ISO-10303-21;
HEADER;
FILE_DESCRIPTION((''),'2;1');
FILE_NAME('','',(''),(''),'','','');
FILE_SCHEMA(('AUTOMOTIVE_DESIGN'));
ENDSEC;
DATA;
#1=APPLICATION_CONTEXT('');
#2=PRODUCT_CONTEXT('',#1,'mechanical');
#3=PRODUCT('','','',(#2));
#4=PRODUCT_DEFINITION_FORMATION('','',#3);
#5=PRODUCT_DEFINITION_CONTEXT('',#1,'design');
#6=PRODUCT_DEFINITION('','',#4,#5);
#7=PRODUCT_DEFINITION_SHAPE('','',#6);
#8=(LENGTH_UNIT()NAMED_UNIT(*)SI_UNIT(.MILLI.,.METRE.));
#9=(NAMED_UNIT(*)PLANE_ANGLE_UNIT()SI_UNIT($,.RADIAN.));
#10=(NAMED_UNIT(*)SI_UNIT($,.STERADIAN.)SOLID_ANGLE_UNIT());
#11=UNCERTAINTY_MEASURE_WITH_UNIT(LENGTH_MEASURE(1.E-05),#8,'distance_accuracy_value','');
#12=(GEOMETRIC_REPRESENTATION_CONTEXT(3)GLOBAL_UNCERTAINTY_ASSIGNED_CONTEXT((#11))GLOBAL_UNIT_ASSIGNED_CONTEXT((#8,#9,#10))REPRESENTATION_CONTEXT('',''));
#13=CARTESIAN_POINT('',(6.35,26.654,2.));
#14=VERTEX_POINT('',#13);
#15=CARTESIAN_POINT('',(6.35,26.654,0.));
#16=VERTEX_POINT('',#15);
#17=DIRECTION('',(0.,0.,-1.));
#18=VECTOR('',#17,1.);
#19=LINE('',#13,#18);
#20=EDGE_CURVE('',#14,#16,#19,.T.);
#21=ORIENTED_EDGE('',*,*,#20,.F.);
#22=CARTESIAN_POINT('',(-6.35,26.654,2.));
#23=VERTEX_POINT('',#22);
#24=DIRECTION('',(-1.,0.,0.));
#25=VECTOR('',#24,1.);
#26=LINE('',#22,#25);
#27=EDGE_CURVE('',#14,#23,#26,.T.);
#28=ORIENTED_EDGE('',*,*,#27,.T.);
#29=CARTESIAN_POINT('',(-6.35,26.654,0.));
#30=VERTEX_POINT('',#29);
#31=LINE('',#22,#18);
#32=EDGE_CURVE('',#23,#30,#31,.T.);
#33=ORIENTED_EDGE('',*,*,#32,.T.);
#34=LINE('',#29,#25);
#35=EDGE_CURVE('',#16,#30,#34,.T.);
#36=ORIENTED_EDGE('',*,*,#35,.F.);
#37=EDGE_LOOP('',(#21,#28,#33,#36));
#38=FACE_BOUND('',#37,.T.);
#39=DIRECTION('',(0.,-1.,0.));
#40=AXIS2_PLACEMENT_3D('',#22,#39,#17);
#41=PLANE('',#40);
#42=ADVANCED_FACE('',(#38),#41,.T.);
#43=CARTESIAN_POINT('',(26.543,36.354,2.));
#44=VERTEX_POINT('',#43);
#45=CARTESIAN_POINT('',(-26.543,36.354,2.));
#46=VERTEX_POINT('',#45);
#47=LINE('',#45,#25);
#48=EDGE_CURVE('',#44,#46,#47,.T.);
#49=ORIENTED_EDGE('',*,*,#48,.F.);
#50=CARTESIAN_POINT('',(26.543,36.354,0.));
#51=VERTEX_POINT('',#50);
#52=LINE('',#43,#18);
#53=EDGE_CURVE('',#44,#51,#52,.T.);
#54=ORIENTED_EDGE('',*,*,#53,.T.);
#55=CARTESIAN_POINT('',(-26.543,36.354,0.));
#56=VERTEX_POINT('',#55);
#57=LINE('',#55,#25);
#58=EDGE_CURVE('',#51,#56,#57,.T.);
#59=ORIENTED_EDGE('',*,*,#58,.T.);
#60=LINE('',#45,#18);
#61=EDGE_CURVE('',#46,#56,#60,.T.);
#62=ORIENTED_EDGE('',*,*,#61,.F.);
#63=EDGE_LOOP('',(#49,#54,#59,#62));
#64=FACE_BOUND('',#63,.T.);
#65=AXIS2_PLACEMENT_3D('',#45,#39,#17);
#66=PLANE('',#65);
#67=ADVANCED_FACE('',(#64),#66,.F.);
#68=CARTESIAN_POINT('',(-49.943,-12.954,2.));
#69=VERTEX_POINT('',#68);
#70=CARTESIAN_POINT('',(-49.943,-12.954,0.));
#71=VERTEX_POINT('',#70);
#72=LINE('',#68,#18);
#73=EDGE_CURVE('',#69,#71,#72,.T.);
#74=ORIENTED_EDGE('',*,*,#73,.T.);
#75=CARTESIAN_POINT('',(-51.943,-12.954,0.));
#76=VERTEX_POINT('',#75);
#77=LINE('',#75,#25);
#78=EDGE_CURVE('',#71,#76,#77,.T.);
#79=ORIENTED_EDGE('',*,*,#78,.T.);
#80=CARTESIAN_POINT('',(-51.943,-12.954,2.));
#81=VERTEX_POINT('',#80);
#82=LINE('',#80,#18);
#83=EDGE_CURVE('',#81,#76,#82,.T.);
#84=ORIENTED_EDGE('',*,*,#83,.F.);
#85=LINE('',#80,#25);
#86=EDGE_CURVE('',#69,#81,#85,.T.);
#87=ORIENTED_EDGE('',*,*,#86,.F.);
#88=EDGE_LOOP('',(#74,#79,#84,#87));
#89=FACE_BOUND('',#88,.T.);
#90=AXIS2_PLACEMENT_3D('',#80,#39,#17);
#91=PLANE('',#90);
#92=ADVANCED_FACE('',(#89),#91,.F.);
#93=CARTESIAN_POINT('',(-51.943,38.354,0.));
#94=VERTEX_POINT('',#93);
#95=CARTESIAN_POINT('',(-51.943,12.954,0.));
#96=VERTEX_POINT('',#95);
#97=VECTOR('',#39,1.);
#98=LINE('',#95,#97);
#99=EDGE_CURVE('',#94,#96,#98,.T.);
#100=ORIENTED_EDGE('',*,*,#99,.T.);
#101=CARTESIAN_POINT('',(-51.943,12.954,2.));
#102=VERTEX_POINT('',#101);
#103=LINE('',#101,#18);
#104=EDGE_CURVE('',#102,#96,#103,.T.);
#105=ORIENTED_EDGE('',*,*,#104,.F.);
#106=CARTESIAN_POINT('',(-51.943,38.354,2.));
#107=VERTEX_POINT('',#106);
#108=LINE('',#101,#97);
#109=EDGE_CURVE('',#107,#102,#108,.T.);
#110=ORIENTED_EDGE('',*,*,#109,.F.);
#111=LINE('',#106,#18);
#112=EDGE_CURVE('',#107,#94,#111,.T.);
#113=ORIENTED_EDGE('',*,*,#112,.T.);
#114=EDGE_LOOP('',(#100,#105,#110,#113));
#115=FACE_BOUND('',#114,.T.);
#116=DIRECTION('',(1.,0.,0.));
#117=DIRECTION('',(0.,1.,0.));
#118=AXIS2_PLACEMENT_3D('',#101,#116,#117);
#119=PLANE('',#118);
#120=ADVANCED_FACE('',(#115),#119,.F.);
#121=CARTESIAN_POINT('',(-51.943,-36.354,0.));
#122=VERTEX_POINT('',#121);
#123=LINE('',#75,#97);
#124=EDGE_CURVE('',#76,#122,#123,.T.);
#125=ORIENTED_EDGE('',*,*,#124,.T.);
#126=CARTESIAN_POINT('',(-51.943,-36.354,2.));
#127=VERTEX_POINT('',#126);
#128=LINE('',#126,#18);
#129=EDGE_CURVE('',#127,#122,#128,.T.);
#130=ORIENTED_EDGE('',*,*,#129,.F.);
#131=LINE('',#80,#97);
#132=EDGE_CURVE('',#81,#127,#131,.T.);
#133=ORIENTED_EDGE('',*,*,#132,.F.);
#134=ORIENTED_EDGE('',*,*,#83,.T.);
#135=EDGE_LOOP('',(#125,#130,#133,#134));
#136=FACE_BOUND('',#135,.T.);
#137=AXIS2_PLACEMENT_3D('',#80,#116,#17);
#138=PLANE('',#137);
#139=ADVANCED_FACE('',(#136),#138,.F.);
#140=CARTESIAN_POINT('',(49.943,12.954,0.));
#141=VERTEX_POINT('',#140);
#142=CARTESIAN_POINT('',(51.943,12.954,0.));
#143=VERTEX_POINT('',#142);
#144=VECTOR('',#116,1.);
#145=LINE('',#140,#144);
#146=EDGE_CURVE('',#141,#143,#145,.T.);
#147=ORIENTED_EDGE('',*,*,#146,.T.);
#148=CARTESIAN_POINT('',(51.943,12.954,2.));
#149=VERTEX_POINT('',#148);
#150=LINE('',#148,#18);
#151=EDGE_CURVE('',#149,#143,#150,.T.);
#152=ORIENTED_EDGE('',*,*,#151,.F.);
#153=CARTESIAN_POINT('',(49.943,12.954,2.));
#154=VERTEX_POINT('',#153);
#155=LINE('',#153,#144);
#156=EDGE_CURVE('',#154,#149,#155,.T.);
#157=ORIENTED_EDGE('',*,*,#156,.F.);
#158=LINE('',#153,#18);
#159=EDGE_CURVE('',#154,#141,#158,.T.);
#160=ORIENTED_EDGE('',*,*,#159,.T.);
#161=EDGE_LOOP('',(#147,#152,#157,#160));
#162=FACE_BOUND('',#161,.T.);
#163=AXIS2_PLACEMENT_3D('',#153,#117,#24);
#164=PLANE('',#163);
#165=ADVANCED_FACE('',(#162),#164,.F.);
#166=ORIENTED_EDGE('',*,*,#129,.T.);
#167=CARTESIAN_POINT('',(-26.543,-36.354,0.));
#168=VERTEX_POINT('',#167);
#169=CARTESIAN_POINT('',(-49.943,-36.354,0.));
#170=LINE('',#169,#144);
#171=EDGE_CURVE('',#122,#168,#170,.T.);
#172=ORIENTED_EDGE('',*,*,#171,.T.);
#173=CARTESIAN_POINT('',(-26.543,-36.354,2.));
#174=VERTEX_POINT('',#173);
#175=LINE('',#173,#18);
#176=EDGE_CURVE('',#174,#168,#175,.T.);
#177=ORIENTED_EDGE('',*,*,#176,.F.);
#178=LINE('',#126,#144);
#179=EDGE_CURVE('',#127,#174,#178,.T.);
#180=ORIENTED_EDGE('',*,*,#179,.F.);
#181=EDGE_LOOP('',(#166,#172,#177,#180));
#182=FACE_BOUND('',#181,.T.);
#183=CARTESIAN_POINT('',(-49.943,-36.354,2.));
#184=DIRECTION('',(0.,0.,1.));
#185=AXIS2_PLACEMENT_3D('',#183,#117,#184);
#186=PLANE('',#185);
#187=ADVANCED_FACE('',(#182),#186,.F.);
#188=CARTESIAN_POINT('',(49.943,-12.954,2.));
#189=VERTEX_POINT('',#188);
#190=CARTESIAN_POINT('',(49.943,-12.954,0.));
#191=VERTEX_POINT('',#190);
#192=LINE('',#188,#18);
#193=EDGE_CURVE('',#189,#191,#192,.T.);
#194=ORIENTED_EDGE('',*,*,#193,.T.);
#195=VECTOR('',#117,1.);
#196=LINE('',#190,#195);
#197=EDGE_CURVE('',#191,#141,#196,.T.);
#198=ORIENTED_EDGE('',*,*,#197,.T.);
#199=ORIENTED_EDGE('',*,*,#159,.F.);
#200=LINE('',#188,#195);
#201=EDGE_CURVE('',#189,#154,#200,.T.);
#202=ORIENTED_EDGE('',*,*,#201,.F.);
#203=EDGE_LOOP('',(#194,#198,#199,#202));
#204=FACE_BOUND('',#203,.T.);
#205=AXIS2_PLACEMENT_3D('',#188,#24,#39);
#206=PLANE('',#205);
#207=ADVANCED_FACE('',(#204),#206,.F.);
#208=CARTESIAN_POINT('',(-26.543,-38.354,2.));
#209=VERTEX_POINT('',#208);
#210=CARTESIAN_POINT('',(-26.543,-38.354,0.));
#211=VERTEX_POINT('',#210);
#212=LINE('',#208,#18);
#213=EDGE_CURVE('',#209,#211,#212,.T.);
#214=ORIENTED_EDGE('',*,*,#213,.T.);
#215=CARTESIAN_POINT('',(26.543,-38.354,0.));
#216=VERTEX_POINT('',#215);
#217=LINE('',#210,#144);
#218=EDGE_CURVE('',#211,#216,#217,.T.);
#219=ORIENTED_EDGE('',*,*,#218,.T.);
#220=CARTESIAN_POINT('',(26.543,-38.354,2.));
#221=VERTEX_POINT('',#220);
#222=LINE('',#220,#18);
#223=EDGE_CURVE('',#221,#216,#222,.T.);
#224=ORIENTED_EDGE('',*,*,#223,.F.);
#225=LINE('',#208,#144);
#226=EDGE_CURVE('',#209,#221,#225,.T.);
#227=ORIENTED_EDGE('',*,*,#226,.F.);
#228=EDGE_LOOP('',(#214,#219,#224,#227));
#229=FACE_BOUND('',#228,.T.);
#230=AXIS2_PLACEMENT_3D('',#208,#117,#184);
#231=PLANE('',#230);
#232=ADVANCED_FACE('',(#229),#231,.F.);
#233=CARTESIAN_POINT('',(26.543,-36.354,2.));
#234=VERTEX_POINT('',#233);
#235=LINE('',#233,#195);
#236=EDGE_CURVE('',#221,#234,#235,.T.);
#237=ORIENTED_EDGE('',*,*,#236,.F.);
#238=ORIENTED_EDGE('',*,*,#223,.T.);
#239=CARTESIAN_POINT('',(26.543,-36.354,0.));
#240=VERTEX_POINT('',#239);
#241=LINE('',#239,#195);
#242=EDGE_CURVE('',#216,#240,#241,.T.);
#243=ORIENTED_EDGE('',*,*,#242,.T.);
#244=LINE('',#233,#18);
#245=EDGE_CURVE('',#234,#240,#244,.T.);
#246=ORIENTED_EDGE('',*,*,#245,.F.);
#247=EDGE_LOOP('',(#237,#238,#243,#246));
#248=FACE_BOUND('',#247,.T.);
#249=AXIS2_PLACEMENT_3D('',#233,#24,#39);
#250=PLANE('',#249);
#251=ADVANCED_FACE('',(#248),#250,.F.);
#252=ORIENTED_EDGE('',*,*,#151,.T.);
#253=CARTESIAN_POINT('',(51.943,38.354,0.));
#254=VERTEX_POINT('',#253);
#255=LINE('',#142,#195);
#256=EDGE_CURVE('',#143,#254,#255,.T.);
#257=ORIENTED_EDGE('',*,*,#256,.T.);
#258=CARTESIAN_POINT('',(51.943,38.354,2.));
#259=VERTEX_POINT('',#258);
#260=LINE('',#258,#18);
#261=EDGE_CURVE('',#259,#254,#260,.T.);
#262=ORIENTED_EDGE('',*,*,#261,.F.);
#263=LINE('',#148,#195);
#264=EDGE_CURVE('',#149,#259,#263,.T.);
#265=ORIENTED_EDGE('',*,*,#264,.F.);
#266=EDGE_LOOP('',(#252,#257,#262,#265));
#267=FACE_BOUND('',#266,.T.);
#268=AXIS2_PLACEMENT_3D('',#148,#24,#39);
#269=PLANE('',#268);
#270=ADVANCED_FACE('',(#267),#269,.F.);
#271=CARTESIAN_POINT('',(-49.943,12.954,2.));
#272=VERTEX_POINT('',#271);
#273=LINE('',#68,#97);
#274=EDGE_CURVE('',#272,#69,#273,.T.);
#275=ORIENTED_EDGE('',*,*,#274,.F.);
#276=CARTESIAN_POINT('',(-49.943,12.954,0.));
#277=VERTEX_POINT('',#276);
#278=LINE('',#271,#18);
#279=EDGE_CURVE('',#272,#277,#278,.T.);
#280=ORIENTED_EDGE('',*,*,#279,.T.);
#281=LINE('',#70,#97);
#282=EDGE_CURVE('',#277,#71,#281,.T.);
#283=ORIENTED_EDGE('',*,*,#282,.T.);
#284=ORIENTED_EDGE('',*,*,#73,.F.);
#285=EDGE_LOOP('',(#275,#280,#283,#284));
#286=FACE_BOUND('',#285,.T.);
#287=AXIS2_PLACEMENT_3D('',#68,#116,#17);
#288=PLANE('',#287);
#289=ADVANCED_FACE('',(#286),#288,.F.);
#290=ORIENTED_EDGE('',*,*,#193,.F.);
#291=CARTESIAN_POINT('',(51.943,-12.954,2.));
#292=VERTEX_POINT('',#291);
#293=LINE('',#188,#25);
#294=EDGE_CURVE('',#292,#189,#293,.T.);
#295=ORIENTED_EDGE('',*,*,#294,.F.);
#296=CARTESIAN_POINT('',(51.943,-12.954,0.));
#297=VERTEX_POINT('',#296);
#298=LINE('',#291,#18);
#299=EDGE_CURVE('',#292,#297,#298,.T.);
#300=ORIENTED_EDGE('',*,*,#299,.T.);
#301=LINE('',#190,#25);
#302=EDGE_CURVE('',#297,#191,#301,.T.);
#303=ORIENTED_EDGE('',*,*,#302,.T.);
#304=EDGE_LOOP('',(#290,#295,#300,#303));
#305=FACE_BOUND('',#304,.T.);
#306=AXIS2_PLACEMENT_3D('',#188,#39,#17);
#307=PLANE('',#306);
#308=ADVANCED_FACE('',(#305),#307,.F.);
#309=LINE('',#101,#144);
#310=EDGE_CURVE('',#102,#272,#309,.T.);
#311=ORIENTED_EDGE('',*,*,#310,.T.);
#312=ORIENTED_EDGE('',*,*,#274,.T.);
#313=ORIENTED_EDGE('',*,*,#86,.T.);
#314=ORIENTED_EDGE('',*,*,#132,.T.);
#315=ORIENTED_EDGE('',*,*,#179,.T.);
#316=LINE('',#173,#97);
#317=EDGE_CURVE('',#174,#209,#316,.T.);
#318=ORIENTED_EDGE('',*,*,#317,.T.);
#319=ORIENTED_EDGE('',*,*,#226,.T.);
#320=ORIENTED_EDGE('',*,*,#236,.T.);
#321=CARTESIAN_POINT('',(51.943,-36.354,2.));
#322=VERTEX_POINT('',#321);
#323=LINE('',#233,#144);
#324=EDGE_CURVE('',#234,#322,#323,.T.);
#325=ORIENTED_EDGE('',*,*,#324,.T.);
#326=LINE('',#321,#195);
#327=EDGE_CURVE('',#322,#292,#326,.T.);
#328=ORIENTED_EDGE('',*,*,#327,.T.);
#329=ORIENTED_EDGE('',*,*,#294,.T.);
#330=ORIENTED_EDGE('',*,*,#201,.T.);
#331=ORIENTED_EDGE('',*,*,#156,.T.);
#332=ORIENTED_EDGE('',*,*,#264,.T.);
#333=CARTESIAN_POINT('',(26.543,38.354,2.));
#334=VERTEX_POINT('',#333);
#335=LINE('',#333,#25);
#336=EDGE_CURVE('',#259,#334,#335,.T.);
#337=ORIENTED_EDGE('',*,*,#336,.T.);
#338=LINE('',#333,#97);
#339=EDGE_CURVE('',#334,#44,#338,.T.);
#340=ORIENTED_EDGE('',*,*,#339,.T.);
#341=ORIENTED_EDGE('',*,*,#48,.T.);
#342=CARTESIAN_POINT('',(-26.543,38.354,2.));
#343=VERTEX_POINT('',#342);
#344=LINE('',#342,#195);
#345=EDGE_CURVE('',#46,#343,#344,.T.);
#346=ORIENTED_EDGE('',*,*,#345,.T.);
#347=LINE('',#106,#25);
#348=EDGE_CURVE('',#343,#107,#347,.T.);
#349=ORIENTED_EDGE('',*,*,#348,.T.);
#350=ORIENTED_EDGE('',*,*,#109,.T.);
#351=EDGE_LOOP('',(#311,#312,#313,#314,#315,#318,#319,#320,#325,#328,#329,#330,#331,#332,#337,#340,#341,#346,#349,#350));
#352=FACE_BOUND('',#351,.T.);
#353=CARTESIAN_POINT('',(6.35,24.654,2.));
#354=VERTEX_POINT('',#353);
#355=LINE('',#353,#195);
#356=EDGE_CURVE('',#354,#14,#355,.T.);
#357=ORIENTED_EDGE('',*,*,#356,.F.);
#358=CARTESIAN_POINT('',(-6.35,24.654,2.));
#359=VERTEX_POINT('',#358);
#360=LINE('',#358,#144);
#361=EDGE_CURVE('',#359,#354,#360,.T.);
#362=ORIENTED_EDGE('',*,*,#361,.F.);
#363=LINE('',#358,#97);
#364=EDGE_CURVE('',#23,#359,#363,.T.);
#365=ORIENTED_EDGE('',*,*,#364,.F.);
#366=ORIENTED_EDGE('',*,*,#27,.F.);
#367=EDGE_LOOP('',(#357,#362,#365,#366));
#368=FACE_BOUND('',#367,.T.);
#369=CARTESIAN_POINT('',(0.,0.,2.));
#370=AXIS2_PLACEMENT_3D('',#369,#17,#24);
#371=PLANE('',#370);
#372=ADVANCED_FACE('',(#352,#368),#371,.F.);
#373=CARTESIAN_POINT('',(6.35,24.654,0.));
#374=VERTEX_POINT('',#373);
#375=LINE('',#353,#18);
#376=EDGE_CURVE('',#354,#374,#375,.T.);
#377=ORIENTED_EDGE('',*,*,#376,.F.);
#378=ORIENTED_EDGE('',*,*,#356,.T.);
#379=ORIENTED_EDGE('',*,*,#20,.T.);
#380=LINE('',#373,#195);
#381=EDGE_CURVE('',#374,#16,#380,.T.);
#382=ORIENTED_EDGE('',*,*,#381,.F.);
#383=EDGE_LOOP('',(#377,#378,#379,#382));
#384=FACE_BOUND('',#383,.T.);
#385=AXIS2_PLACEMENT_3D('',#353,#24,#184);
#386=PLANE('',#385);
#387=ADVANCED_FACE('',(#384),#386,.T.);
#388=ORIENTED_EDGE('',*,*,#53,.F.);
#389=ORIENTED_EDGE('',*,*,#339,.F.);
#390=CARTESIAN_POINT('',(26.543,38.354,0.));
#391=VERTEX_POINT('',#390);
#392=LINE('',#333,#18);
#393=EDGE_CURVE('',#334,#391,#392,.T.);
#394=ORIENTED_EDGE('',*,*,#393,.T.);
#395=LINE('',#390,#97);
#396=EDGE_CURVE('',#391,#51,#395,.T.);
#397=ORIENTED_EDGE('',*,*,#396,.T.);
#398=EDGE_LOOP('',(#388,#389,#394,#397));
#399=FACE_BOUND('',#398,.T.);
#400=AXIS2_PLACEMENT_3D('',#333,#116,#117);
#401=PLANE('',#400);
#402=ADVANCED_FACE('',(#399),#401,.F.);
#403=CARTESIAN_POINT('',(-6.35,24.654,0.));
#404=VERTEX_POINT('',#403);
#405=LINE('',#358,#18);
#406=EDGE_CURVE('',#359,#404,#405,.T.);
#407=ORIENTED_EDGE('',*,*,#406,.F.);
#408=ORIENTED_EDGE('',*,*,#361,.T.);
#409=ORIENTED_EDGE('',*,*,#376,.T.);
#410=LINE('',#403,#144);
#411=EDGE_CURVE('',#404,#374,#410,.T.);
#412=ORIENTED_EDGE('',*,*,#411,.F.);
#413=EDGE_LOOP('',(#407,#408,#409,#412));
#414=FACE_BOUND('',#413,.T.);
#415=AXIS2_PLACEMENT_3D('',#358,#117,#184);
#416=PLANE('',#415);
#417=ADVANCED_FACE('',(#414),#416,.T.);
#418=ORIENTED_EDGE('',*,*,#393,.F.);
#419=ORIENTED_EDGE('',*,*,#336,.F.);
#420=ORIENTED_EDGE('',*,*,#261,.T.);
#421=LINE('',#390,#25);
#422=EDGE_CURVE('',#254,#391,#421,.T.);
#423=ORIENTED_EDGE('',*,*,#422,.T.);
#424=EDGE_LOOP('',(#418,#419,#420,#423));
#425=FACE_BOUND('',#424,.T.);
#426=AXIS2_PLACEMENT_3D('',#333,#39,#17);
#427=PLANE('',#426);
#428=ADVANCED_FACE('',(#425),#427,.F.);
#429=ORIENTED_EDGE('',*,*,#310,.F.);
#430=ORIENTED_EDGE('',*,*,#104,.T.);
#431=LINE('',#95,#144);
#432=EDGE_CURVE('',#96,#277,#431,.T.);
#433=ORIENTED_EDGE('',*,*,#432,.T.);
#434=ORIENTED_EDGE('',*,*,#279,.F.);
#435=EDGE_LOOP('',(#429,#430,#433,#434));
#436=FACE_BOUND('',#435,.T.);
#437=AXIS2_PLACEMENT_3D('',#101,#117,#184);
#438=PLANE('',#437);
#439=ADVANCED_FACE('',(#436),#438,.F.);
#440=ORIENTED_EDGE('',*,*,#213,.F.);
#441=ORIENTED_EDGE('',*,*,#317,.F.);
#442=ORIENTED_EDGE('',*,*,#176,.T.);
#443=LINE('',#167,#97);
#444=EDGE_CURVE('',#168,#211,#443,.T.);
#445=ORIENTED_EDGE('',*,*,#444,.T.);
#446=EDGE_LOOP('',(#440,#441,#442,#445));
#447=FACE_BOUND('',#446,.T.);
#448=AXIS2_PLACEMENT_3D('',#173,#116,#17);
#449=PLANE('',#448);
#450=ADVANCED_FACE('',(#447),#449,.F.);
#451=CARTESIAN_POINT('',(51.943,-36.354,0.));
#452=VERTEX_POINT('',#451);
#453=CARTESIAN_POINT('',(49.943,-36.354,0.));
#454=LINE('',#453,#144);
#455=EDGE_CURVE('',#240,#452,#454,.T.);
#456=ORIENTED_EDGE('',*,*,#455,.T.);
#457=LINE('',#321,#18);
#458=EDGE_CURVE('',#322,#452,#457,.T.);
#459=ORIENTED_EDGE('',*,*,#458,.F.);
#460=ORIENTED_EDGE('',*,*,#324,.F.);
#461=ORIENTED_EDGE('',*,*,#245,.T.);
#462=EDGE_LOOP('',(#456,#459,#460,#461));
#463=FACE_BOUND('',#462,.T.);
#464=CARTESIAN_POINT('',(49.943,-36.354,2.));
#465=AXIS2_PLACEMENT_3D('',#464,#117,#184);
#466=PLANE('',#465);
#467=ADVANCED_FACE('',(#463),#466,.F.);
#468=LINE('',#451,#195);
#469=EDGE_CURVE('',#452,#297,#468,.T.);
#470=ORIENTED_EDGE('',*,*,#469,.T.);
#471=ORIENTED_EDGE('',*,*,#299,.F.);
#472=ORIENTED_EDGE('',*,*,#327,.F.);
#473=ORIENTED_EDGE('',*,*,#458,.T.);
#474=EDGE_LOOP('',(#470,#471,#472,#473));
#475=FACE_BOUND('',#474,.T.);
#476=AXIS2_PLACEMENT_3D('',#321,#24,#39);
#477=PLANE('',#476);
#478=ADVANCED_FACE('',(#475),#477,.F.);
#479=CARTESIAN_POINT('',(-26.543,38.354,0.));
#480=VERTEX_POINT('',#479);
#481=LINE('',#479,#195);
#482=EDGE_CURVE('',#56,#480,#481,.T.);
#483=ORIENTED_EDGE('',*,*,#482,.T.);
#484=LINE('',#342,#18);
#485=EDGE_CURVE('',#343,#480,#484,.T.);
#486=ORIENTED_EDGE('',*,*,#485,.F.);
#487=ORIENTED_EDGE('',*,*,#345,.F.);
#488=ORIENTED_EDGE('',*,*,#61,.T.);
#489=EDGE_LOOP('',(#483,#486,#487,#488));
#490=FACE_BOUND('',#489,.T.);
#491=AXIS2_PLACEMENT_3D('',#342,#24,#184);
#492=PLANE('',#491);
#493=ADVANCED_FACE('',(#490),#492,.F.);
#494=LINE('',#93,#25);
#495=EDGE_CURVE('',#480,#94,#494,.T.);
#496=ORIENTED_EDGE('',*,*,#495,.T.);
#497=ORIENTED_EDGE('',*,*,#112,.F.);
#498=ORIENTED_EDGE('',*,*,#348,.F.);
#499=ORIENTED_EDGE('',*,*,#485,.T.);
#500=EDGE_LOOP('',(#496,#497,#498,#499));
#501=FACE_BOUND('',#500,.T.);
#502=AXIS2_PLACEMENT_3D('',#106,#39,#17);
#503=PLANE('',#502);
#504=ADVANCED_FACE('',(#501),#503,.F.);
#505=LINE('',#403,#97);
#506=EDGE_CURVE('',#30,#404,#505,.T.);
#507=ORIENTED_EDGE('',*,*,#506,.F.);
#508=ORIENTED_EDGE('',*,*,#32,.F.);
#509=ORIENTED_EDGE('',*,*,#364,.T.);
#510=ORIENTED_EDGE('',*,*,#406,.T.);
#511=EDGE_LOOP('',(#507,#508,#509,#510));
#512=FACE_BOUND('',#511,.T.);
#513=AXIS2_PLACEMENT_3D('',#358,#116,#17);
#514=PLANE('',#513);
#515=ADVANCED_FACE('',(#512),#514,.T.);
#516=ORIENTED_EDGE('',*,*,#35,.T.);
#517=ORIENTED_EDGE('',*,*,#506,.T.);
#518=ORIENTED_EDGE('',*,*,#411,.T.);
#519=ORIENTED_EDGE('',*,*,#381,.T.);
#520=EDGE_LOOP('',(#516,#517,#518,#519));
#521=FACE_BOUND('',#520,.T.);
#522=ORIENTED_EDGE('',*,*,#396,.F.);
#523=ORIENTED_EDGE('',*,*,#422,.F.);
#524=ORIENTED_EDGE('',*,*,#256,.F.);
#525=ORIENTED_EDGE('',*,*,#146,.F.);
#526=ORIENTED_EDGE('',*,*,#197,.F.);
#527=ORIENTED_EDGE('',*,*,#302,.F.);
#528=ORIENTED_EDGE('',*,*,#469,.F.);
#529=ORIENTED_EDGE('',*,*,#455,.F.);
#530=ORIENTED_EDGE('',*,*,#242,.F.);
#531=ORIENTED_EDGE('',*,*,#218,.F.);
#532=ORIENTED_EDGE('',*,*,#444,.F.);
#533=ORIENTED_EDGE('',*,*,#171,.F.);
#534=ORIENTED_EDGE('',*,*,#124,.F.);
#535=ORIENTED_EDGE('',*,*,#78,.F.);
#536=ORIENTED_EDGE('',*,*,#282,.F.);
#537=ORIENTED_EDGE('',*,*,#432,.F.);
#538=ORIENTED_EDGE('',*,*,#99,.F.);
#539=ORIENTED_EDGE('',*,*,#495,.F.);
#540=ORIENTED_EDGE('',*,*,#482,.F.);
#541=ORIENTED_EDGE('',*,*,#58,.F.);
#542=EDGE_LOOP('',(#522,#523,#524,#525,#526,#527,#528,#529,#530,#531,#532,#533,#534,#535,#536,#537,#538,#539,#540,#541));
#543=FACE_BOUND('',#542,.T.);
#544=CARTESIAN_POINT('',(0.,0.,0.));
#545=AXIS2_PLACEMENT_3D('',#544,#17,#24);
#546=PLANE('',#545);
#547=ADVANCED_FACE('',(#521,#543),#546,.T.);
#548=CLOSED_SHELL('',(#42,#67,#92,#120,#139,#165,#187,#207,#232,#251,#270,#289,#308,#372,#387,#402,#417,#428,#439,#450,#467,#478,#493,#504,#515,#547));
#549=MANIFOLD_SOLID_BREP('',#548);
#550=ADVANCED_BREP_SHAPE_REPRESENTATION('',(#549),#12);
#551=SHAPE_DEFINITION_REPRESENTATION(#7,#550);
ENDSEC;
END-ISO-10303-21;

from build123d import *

# Parameters (mm, degrees)
SKETCH1_W           = 12.7
SKETCH1_H           = 2
BOSS_EXTRUDE1_DEPTH = 2


with BuildPart() as part:
    # Sketch1 → Boss-Extrude1 (new body)
    with BuildSketch(Plane.XY):
        Polygon((-26.543, 36.354), (26.543, 36.354), (26.543, 38.354), (51.943, 38.354), (51.943, 12.954), (49.943, 12.954), (49.943, -12.954), (51.943, -12.954), (51.943, -36.354), (49.943, -36.354), (26.543, -36.354), (26.543, -38.354), (-26.543, -38.354), (-26.543, -36.354), (-49.943, -36.354), (-51.943, -36.354), (-51.943, -12.954), (-49.943, -12.954), (-49.943, 12.954), (-51.943, 12.954), (-51.943, 38.354), (-26.543, 38.354), align=None)
        with Locations((0, 25.654)):
            Rectangle(SKETCH1_W, SKETCH1_H, mode=Mode.SUBTRACT)
    extrude(amount=BOSS_EXTRUDE1_DEPTH)


solid = part.part
